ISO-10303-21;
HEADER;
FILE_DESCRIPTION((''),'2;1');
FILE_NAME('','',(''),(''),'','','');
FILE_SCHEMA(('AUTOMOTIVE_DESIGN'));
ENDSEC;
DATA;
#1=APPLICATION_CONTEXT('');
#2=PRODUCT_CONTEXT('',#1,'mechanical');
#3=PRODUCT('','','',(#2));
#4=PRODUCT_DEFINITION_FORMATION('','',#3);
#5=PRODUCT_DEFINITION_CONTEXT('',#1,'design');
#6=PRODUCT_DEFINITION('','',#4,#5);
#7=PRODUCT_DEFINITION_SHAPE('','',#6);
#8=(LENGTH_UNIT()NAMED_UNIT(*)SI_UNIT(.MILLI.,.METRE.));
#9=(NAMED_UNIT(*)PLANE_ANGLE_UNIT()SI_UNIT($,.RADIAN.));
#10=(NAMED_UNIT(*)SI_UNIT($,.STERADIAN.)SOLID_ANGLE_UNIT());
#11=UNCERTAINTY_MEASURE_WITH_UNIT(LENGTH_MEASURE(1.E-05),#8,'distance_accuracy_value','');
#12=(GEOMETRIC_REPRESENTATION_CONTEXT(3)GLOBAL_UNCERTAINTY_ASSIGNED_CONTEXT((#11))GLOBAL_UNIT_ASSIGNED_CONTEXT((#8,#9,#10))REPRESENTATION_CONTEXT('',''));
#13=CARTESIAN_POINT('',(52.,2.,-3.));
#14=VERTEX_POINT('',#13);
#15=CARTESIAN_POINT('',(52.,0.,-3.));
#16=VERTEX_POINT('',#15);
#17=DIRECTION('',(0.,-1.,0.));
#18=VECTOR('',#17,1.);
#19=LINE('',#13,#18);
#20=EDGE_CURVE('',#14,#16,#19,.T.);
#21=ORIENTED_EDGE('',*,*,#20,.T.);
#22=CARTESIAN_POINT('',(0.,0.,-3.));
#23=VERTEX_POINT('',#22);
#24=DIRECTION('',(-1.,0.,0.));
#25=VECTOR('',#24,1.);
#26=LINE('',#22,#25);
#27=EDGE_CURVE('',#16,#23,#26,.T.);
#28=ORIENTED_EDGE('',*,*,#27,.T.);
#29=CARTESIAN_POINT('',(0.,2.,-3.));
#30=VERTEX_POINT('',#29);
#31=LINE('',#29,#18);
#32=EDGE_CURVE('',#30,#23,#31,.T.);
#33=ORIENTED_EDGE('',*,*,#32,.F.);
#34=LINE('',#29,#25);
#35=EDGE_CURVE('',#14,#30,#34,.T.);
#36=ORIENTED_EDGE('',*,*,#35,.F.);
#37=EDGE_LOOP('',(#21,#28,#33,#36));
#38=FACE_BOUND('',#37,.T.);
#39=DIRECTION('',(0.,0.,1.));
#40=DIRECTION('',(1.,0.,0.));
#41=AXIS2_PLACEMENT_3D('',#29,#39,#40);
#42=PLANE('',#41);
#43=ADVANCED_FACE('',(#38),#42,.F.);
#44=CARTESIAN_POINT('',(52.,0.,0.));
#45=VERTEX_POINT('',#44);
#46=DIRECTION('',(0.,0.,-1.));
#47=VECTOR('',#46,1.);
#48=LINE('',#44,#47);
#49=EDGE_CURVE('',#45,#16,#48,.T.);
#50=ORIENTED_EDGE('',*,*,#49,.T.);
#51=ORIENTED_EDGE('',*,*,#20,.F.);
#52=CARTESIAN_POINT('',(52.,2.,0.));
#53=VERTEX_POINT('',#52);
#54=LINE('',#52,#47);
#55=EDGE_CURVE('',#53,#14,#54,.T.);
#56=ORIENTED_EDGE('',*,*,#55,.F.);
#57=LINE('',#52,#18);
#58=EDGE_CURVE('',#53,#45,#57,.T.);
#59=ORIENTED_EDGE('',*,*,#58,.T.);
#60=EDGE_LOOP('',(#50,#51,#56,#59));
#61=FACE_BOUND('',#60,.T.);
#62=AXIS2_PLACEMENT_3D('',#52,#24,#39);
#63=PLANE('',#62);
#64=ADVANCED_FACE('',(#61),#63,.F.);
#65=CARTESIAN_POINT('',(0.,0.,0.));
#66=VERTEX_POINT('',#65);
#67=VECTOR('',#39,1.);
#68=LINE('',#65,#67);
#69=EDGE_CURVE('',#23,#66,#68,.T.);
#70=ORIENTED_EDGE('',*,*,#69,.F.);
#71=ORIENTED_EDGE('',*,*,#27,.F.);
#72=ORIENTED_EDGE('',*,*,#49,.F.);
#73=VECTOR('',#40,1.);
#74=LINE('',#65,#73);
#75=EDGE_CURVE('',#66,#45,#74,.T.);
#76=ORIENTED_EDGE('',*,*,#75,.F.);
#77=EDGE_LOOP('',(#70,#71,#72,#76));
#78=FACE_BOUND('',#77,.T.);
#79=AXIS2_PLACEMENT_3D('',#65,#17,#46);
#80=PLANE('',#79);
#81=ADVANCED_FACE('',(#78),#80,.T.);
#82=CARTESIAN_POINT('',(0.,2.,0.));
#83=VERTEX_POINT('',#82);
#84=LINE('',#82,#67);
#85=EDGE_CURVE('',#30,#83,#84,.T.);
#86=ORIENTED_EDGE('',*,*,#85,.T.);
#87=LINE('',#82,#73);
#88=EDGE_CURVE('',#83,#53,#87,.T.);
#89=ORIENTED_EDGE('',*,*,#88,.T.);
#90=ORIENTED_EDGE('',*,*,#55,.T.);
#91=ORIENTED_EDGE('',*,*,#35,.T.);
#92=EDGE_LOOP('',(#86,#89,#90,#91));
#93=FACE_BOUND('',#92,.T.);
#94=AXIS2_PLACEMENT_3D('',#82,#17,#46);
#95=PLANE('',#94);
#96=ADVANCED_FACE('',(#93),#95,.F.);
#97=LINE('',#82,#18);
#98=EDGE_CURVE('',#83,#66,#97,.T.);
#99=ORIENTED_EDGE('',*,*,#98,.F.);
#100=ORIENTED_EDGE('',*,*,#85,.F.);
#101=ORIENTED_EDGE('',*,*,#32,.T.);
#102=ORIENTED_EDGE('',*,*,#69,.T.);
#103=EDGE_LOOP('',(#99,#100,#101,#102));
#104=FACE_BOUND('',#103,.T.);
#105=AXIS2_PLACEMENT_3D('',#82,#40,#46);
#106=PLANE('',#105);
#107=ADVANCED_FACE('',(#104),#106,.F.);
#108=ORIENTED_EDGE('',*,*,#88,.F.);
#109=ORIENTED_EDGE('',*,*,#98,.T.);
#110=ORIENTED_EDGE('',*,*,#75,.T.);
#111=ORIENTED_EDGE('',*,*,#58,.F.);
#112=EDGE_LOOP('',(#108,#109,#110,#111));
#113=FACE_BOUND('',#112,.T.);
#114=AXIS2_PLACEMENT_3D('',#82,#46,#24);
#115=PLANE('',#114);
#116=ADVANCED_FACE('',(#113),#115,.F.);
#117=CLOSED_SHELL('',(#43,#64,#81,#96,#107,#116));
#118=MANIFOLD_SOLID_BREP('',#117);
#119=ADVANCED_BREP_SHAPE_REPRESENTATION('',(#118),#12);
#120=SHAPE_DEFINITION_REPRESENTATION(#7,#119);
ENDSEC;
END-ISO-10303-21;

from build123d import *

# Parameters (mm, degrees)
SKETCH1_W           = 52
SKETCH1_H           = 3
BOSS_EXTRUDE1_DEPTH = 2


with BuildPart() as part:
    # Sketch1 → Boss-Extrude1 (new body)
    with BuildSketch(Plane(origin=(0, 0, 0), x_dir=(1, 0, 0), z_dir=(0, 1, 0))):
        with Locations((26, 1.5)):
            Rectangle(SKETCH1_W, SKETCH1_H)
    extrude(amount=BOSS_EXTRUDE1_DEPTH)


solid = part.part
